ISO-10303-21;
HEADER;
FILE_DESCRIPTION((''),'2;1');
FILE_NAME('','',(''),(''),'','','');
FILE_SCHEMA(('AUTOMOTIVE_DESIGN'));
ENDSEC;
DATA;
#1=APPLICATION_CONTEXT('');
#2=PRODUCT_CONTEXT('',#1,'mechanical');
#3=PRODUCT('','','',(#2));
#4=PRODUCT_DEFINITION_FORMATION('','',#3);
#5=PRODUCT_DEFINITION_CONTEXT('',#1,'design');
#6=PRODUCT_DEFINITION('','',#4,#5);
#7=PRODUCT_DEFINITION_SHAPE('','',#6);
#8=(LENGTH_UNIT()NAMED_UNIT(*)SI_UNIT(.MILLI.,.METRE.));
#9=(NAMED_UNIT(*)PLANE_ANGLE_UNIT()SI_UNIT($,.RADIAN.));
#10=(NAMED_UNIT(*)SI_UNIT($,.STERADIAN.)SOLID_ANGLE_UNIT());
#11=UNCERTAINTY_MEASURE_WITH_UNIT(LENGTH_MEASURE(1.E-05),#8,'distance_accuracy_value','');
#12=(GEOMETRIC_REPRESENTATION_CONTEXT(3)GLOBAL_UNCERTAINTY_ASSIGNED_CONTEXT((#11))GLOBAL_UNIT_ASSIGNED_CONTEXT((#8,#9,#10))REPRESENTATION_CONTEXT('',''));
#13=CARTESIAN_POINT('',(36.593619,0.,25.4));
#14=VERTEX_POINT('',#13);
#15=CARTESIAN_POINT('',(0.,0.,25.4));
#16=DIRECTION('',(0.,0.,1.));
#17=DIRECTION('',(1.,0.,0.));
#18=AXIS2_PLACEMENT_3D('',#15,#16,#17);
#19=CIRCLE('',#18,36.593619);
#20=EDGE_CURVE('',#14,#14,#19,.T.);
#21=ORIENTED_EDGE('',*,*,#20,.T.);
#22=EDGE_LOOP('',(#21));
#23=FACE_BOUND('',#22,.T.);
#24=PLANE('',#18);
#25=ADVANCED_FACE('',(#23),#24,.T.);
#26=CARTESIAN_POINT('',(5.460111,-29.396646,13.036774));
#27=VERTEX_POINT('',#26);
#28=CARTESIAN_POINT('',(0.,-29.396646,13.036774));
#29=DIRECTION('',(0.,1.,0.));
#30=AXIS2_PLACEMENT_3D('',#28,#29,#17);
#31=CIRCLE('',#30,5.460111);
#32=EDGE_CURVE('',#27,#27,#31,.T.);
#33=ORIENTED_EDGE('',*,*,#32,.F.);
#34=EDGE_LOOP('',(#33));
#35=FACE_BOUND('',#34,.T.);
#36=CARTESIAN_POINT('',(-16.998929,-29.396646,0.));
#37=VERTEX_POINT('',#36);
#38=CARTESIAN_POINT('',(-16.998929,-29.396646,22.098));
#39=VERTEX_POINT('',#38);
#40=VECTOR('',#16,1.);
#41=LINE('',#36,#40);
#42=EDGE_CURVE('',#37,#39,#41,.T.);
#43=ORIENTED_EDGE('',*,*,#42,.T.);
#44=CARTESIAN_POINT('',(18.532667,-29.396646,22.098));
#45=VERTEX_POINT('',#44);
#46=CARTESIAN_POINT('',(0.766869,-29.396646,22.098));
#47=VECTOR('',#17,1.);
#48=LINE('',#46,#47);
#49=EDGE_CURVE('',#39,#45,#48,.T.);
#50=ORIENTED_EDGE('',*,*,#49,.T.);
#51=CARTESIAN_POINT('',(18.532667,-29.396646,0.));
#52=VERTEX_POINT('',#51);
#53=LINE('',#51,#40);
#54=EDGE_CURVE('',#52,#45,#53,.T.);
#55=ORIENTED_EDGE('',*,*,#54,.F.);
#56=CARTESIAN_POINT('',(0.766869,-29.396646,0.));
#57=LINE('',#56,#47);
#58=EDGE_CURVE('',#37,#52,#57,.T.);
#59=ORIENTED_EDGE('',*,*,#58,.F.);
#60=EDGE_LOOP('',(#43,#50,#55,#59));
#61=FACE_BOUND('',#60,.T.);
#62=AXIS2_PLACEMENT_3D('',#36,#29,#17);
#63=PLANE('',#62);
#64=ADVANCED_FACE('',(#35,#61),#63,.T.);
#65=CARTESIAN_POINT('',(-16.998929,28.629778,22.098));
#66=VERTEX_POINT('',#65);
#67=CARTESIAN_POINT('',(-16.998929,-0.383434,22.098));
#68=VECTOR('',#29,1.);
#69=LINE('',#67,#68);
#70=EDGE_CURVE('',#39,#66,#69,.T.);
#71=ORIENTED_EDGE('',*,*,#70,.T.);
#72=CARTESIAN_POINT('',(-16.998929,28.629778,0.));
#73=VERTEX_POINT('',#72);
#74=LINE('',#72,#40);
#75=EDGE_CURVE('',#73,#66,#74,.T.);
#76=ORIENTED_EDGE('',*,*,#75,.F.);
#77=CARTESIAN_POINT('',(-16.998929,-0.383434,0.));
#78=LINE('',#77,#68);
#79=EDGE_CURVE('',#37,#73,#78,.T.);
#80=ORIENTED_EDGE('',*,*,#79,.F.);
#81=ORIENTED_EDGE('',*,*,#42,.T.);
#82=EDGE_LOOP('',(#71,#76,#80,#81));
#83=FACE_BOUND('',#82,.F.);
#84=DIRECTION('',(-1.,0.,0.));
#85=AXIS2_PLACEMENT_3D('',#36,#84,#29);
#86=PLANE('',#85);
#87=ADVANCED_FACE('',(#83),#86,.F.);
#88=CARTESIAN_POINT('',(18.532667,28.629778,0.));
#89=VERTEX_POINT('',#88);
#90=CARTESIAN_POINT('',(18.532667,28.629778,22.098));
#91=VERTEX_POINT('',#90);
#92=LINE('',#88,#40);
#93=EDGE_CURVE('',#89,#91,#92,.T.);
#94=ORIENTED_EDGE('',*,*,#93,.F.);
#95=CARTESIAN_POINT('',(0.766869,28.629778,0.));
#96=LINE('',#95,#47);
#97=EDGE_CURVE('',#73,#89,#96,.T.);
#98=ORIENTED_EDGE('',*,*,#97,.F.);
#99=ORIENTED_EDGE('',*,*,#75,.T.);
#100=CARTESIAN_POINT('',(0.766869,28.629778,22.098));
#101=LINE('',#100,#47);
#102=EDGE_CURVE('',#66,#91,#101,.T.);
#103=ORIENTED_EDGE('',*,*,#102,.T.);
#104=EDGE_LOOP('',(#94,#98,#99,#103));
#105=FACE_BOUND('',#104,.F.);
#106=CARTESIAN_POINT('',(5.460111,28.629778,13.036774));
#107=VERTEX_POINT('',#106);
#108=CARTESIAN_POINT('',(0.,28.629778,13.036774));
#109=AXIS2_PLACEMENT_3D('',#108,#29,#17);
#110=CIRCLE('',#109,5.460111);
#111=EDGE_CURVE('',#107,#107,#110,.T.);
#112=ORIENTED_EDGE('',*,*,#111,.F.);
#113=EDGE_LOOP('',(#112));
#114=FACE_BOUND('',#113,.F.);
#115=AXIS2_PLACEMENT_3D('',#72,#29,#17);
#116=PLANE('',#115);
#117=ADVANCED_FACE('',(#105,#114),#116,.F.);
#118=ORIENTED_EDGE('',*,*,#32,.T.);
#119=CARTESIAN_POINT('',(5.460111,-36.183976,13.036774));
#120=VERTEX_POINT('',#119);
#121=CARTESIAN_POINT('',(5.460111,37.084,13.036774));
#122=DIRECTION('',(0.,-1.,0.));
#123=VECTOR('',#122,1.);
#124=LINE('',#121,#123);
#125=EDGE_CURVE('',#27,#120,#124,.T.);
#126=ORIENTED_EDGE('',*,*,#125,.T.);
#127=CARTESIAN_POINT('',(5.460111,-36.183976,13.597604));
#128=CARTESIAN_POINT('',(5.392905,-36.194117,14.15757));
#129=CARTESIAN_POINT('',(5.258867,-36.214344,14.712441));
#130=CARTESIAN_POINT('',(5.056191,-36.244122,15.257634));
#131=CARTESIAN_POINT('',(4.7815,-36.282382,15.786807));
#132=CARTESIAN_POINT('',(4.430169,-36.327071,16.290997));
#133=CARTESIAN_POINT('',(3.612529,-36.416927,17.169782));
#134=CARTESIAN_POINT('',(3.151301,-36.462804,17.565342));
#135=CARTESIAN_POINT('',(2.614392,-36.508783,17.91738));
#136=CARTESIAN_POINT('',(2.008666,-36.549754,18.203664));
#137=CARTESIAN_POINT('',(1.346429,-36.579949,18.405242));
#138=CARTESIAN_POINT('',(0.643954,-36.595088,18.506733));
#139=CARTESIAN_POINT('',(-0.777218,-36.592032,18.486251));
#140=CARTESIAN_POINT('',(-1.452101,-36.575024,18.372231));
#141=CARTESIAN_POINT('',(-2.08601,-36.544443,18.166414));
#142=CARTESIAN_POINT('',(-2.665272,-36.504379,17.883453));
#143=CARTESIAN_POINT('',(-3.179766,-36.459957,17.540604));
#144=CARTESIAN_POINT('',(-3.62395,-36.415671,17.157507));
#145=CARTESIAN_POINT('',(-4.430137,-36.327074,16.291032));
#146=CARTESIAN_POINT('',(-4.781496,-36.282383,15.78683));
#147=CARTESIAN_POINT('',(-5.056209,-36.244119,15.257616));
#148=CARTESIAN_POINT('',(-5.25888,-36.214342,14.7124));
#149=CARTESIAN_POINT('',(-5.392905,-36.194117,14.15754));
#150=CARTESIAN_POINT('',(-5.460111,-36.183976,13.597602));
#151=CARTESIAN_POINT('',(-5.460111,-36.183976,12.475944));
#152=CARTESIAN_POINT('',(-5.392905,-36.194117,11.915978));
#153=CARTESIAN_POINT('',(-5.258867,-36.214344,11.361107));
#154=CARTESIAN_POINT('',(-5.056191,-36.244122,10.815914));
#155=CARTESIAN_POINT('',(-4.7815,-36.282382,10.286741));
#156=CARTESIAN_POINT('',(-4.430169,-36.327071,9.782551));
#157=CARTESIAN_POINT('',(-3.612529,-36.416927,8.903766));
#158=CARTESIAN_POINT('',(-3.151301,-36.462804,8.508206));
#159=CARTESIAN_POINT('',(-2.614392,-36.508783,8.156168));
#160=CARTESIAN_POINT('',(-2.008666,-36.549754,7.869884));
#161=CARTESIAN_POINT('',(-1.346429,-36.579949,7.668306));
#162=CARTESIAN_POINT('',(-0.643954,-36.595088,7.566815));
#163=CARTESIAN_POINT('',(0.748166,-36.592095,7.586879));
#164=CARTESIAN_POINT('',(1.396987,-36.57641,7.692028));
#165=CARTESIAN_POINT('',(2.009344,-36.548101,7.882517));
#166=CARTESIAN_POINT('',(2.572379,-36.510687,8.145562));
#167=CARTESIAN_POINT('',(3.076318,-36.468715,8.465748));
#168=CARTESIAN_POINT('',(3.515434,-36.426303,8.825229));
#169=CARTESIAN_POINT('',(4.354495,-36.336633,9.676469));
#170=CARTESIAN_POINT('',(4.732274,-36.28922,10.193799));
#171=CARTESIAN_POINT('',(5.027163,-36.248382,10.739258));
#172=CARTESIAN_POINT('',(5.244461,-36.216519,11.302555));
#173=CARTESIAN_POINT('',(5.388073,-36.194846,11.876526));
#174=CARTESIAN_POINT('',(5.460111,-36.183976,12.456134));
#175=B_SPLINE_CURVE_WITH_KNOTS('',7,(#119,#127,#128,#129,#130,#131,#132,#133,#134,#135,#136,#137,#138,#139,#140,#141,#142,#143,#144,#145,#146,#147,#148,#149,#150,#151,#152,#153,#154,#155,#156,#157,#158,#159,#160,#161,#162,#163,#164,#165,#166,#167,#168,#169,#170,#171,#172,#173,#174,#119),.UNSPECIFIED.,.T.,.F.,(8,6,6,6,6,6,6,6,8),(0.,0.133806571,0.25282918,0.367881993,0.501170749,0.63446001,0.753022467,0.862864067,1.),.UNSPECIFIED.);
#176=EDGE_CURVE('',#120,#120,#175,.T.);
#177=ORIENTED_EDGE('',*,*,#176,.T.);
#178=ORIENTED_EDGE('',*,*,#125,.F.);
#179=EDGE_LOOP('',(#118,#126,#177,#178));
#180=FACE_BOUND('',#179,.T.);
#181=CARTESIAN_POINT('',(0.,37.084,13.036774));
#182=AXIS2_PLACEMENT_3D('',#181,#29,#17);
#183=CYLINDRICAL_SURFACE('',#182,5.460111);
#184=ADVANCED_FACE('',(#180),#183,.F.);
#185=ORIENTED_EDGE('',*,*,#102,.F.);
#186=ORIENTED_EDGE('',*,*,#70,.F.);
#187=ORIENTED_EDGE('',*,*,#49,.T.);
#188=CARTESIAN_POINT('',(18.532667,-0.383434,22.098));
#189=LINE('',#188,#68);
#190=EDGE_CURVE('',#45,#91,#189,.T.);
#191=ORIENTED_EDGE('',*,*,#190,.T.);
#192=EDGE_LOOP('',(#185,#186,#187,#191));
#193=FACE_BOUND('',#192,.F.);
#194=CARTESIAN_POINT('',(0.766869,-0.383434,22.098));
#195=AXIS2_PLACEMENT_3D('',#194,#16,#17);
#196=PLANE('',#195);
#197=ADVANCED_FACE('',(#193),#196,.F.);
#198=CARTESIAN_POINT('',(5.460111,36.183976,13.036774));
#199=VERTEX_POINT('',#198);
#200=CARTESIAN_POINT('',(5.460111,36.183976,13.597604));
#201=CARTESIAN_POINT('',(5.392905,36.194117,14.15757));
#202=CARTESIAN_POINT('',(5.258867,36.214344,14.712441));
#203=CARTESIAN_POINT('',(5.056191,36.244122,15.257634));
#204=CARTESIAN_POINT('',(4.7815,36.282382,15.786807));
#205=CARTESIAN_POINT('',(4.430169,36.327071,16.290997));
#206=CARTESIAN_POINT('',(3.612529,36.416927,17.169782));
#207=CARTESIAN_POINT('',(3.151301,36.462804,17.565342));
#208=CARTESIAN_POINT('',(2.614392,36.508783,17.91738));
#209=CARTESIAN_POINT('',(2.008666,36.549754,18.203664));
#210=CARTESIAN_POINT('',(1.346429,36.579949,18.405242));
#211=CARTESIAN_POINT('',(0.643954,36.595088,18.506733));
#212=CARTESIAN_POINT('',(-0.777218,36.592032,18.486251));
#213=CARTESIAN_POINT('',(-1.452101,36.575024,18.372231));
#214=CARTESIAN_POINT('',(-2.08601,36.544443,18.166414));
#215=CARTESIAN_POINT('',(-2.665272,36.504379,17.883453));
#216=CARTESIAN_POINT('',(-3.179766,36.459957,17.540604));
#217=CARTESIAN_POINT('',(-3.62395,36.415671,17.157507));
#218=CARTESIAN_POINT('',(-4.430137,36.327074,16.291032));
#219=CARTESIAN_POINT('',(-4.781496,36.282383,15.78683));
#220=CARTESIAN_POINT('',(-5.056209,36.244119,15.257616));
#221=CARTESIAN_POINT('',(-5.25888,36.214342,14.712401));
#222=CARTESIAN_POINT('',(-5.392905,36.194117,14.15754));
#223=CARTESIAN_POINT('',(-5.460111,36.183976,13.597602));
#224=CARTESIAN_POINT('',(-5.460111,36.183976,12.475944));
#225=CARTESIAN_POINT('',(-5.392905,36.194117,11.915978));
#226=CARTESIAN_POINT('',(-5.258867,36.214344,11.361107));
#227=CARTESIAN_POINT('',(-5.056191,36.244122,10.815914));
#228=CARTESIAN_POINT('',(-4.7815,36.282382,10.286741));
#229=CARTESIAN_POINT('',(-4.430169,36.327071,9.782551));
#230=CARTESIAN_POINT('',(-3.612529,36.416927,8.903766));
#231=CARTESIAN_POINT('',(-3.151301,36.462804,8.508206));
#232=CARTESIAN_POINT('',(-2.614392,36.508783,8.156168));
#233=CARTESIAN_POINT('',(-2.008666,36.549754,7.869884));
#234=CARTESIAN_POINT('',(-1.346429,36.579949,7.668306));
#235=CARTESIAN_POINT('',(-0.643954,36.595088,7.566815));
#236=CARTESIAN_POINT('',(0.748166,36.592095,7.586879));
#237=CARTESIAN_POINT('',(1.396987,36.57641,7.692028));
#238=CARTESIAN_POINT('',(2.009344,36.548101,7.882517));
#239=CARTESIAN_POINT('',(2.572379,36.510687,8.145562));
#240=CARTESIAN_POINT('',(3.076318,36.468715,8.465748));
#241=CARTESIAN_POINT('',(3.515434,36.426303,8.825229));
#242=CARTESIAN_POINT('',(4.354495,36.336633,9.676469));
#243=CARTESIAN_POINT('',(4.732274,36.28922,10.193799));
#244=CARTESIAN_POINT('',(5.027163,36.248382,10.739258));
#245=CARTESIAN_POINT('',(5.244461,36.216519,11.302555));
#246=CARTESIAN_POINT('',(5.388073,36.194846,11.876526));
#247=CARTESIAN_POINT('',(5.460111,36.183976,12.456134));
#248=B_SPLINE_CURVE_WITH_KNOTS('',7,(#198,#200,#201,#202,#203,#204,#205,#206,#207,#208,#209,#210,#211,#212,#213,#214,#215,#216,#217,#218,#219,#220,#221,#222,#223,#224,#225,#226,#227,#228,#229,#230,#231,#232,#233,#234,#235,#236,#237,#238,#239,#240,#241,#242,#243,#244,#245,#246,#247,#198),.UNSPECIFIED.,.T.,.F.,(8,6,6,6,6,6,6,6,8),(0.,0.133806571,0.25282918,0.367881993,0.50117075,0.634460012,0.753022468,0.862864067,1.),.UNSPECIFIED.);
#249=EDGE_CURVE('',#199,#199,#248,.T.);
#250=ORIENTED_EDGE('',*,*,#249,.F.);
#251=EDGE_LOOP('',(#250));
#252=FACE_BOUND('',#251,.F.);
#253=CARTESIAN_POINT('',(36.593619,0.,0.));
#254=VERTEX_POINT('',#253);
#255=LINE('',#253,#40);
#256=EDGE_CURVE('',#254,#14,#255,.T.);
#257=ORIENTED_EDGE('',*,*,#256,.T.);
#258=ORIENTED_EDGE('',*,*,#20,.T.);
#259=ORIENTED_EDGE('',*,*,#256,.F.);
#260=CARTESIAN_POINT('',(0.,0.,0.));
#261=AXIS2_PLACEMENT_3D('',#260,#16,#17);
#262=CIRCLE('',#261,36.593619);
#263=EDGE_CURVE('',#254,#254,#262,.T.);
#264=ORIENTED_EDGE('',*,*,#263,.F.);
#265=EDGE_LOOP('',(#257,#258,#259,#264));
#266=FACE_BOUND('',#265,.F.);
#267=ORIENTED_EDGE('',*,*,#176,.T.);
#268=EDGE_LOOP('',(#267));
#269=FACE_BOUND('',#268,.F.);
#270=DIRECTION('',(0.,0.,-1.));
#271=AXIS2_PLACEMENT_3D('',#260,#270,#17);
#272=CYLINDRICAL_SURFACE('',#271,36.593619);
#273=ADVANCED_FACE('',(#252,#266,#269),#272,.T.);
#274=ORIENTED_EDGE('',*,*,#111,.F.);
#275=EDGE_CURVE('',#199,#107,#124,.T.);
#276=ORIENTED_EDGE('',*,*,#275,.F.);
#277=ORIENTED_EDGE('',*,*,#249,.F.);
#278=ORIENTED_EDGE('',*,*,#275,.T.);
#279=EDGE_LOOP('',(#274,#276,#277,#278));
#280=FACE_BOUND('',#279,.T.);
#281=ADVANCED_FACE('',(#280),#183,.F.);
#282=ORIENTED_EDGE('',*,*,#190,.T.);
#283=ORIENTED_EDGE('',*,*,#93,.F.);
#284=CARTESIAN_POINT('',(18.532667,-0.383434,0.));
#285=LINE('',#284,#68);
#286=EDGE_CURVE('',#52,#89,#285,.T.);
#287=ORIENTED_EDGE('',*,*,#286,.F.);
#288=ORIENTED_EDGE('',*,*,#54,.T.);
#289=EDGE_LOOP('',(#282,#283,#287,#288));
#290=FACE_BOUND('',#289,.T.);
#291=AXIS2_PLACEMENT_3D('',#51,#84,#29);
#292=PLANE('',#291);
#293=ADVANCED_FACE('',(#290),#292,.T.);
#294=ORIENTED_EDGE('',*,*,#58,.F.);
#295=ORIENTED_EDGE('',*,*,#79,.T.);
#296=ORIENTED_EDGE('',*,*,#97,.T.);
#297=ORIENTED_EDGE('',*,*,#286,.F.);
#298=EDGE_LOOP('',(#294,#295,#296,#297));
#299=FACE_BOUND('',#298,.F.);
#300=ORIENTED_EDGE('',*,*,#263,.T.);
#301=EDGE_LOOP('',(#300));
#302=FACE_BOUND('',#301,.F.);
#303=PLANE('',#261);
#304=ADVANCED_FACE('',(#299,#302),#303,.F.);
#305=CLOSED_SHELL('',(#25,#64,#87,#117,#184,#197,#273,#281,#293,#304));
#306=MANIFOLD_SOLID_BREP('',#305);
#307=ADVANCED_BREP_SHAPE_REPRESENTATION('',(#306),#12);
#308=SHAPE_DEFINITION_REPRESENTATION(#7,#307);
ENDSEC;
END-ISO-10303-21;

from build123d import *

# Parameters (mm, degrees)
F0_R     = 36.593619
F1_DEPTH = 25.4
F3_R     = 5.460111
F4_DEPTH = 76.708
F5_W     = 35.531597
F5_H     = 58.026424
F6_DEPTH = 22.098


with BuildPart() as f1:
    # F0 (on Top) → F1 (new body)
    with BuildSketch(Plane.XY):
        Circle(F0_R)
    extrude(amount=F1_DEPTH)

    # F3 (on offset) → F4 (cut)
    with BuildSketch(Plane.XZ.offset(-37.084)):
        with Locations((0, 13.036774)):
            Circle(F3_R)
    extrude(amount=F4_DEPTH, mode=Mode.SUBTRACT)

    # F5 (on Top) → F6 (cut)
    with BuildSketch(Plane.XY):
        with Locations((0.766869, -0.383434)):
            Rectangle(F5_W, F5_H)
    extrude(amount=F6_DEPTH, mode=Mode.SUBTRACT)


solid = f1.part
